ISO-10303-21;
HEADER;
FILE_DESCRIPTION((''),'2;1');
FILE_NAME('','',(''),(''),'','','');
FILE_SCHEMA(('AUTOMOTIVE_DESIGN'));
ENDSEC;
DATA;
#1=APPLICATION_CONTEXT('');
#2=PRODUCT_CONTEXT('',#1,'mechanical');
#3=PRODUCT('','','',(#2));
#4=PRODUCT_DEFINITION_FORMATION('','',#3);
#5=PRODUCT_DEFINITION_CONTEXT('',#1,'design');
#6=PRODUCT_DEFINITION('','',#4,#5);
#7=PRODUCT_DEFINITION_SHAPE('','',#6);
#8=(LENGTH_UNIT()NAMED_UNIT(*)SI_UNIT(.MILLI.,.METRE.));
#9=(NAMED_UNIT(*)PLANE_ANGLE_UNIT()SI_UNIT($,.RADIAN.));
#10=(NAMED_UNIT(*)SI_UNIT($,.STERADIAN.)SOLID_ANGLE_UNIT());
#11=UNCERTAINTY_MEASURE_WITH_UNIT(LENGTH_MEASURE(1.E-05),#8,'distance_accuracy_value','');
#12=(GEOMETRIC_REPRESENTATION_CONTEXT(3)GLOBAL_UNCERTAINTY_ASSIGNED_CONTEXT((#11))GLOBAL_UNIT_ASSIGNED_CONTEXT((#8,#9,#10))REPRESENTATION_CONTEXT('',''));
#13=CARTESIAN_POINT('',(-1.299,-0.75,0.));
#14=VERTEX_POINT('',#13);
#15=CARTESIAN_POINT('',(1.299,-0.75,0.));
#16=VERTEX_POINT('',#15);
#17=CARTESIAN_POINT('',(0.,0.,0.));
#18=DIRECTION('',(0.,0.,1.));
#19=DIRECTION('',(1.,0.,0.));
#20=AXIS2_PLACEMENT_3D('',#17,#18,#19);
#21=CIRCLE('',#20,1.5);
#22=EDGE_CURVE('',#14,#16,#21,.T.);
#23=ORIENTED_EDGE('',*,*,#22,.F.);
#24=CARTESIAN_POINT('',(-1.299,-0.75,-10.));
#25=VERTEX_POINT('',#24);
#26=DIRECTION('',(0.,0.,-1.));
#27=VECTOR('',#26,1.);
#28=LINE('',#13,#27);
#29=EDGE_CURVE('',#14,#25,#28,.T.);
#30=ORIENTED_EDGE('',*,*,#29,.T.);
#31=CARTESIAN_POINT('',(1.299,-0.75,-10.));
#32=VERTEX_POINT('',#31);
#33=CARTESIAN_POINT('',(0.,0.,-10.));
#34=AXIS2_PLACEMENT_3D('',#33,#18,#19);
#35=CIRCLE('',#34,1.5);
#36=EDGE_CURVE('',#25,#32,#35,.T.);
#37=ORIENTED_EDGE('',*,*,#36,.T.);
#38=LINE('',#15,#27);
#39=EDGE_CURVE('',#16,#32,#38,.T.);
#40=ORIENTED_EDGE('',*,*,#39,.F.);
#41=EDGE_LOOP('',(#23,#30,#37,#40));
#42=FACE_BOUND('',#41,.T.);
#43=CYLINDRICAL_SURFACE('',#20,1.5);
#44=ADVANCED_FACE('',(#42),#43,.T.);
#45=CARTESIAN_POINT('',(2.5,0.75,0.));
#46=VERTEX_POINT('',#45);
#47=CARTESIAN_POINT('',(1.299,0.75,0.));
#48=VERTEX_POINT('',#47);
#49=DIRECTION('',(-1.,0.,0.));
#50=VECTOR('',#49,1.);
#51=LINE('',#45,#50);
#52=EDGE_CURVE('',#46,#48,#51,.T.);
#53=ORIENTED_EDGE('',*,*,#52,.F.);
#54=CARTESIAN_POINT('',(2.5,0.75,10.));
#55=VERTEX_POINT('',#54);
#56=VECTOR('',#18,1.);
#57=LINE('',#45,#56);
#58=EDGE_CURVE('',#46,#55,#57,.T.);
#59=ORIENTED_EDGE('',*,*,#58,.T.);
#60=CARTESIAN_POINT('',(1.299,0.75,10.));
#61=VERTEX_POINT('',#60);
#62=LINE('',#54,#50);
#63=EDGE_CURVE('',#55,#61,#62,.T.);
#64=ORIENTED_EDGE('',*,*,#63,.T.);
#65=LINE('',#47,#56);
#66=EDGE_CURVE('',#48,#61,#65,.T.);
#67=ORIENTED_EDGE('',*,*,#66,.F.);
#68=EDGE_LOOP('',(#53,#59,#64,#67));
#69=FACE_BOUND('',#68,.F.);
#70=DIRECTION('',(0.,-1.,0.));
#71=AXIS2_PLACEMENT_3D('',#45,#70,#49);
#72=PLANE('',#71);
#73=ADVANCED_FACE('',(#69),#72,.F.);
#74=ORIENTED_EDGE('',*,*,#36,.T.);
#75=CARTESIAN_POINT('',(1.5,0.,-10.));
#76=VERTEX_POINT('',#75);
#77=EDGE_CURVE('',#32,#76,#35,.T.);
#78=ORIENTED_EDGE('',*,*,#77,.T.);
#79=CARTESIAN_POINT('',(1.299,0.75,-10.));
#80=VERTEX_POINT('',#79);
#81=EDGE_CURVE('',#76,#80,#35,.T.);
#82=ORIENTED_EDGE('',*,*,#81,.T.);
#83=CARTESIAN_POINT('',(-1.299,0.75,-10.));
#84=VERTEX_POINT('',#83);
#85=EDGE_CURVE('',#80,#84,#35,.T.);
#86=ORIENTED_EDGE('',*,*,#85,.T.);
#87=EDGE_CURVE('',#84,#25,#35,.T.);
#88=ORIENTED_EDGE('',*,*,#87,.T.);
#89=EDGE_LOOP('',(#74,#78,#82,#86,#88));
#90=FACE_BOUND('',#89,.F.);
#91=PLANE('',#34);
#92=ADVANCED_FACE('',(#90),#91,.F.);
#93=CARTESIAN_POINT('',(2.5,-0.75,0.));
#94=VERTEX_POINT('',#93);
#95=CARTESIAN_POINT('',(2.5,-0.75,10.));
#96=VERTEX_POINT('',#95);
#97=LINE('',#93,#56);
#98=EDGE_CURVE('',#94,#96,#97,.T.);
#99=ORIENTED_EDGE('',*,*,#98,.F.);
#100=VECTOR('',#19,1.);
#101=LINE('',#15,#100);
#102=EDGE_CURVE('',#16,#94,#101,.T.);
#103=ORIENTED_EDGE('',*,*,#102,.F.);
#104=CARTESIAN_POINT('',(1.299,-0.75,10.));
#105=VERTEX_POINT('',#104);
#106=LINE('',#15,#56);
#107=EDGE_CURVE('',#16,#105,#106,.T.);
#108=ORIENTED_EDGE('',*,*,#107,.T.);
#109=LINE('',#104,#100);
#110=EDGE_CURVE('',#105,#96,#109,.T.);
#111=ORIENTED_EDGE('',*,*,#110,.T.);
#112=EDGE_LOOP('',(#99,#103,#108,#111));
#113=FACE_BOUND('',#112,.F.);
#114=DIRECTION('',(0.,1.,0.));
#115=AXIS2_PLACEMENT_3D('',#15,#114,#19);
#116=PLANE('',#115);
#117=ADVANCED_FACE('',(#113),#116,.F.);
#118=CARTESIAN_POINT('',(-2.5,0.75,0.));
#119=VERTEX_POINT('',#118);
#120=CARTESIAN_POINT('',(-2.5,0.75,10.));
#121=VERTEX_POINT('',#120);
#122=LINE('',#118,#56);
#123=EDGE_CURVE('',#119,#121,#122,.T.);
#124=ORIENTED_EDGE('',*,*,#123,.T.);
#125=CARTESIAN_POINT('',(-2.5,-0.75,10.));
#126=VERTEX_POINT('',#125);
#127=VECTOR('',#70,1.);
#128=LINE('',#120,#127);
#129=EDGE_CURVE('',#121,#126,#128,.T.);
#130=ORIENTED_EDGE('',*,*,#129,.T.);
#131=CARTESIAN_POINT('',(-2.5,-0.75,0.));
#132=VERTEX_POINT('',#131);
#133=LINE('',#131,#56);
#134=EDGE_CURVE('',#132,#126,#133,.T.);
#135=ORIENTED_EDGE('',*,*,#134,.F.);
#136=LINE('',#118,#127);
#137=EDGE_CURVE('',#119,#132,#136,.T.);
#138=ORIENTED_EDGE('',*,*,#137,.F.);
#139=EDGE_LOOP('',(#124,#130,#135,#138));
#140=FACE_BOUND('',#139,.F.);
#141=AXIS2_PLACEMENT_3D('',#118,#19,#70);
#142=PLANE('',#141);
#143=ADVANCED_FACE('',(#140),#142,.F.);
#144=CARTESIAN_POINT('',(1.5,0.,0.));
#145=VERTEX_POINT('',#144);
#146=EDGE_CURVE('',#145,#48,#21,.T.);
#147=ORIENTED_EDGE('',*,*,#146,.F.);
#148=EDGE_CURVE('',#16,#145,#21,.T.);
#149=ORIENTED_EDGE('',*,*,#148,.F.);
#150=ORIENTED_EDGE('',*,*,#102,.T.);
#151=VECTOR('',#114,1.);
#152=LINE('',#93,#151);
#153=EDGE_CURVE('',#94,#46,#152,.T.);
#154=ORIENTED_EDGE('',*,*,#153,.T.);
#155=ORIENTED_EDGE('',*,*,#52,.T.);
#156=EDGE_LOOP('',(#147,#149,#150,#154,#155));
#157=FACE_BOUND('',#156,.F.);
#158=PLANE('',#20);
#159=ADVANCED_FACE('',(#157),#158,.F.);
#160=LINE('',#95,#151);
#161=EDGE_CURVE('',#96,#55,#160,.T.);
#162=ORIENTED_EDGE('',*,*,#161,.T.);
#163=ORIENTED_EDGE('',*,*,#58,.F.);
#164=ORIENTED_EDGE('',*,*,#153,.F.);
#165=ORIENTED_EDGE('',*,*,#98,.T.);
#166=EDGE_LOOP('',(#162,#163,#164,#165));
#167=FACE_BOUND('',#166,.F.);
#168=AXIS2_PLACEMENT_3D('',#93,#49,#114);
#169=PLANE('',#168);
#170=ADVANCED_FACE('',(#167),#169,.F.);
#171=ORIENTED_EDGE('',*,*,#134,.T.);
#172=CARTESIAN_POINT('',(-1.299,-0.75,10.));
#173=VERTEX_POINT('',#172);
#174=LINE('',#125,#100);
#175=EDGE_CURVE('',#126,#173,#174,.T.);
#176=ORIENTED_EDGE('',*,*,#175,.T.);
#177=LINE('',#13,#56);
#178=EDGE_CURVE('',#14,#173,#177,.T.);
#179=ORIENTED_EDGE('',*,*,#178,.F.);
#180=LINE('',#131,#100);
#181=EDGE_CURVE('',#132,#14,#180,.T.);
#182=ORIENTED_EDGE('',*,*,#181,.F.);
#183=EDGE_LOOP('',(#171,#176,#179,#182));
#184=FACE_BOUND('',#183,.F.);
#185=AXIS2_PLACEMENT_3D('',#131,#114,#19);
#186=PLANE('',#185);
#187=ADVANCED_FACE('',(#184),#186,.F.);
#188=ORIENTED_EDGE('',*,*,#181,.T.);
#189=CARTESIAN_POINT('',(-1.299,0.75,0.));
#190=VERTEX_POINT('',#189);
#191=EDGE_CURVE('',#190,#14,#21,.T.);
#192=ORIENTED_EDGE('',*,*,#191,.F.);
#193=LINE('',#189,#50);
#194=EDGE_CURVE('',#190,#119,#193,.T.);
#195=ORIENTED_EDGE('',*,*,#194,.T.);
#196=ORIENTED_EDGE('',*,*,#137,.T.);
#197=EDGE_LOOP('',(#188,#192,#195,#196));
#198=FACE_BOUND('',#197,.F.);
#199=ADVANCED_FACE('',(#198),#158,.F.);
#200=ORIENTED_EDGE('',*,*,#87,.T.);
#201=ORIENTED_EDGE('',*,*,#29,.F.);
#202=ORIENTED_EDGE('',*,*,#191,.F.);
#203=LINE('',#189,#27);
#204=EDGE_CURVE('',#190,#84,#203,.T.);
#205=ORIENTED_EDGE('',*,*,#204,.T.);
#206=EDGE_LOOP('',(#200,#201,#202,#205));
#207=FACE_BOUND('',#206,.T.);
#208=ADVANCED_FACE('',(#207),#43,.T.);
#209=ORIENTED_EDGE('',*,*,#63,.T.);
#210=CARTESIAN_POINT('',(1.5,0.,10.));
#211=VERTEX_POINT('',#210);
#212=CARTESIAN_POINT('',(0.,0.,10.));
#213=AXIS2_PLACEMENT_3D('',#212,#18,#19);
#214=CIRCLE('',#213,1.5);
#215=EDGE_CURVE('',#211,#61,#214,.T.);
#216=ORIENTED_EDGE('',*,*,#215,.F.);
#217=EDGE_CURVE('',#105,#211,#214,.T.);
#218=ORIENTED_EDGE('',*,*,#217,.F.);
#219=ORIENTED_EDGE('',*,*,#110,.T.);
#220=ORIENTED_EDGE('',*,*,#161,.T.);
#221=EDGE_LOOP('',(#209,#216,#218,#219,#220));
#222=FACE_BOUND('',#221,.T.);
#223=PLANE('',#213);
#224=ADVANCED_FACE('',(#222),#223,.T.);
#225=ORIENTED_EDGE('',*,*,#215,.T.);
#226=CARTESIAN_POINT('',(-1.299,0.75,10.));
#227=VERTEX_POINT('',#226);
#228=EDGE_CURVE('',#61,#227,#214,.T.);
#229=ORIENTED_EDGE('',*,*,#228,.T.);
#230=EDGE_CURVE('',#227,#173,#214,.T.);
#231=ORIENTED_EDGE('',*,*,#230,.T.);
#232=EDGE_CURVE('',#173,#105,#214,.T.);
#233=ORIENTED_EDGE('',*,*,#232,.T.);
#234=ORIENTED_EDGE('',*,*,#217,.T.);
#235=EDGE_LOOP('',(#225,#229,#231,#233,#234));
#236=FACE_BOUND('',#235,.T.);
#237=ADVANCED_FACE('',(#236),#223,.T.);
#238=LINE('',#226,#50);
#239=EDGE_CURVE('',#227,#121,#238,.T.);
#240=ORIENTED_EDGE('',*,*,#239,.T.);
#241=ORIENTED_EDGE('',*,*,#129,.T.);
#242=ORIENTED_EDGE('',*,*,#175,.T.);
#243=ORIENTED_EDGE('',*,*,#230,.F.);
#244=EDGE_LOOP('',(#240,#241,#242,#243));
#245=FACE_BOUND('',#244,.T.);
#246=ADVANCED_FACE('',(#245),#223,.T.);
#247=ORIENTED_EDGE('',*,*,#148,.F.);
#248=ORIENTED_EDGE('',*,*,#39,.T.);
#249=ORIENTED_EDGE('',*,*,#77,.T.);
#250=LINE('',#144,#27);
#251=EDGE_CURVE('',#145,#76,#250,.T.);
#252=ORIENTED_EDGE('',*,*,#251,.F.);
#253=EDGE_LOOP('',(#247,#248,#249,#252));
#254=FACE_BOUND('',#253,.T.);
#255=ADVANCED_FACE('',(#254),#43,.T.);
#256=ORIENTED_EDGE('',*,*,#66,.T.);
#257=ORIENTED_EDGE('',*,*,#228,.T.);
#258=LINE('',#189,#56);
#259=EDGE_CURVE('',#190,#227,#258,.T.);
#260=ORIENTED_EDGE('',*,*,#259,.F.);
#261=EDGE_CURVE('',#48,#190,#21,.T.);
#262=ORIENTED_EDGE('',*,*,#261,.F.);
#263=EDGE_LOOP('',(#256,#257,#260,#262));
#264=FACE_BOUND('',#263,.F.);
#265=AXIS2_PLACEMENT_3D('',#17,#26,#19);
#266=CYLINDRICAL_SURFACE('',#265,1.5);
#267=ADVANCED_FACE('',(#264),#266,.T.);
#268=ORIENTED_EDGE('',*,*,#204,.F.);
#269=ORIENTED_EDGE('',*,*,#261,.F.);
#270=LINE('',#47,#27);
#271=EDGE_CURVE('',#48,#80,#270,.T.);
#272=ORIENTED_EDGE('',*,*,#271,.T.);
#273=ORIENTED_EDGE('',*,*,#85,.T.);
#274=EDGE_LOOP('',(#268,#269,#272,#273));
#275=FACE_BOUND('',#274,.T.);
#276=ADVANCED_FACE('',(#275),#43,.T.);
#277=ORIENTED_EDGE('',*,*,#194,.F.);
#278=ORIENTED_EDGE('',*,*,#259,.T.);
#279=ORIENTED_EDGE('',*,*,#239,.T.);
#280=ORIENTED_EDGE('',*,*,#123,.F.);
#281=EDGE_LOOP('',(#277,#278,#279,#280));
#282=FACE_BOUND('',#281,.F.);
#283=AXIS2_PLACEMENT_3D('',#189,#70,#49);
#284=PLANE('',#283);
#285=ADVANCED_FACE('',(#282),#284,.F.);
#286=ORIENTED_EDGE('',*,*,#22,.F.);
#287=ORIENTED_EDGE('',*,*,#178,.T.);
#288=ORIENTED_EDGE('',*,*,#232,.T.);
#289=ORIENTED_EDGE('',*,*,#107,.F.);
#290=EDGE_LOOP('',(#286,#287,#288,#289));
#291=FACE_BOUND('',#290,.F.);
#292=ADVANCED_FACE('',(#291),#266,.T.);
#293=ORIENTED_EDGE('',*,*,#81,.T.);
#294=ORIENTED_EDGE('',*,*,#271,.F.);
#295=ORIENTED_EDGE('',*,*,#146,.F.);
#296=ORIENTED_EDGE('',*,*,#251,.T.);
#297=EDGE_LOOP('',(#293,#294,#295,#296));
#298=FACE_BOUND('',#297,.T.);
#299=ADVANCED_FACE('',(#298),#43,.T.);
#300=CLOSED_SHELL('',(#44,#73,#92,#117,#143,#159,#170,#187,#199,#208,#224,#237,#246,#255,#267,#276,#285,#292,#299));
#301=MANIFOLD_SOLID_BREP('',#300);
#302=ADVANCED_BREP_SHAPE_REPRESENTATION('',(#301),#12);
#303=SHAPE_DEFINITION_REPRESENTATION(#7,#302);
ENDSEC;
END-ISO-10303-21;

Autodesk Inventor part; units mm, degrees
ref_plane "YZ Plane" through (0, 0, 0) normal (1, 0, 0) x (0, 1, 0)
ref_plane "XZ Plane" through (0, 0, 0) normal (0, 1, 0) x (-1, 0, 0)
ref_plane "XY Plane" through (0, 0, 0) normal (0, 0, 1) x (1, 0, 0)
sketch "Sketch1" plane through (0, 0, 0) normal (0, 0, 1) x (1, 0, 0)
  line L0 (2.5, -0.75) -> (2.5, 0.75)
  line L1 (-2.5, 0.75) -> (-2.5, -0.75)
  line L2 (2.5, 0.75) -> (1.299, 0.75)
  line L3 (-1.299, 0.75) -> (-2.5, 0.75)
  line L4 (-2.5, -0.75) -> (-1.299, -0.75)
  line L5 (1.299, -0.75) -> (2.5, -0.75)
  circle A0 centre (0, 0) radius 1.5
  dimension "d5" = 3
  dimension "d0" = 5
  dimension "d1" = 1.5
  dimension "d4" = 1.5
  dimension "d6" = 0.75
  dimension "d7" = 0.75
  dimension "d8" = 2.5
extrude "Extrusion1" add sketch "Sketch1" against normal blind 10 contours A0
extrude "Extrusion2" add sketch "Sketch1" along normal blind 10
properties part number "Pin"
